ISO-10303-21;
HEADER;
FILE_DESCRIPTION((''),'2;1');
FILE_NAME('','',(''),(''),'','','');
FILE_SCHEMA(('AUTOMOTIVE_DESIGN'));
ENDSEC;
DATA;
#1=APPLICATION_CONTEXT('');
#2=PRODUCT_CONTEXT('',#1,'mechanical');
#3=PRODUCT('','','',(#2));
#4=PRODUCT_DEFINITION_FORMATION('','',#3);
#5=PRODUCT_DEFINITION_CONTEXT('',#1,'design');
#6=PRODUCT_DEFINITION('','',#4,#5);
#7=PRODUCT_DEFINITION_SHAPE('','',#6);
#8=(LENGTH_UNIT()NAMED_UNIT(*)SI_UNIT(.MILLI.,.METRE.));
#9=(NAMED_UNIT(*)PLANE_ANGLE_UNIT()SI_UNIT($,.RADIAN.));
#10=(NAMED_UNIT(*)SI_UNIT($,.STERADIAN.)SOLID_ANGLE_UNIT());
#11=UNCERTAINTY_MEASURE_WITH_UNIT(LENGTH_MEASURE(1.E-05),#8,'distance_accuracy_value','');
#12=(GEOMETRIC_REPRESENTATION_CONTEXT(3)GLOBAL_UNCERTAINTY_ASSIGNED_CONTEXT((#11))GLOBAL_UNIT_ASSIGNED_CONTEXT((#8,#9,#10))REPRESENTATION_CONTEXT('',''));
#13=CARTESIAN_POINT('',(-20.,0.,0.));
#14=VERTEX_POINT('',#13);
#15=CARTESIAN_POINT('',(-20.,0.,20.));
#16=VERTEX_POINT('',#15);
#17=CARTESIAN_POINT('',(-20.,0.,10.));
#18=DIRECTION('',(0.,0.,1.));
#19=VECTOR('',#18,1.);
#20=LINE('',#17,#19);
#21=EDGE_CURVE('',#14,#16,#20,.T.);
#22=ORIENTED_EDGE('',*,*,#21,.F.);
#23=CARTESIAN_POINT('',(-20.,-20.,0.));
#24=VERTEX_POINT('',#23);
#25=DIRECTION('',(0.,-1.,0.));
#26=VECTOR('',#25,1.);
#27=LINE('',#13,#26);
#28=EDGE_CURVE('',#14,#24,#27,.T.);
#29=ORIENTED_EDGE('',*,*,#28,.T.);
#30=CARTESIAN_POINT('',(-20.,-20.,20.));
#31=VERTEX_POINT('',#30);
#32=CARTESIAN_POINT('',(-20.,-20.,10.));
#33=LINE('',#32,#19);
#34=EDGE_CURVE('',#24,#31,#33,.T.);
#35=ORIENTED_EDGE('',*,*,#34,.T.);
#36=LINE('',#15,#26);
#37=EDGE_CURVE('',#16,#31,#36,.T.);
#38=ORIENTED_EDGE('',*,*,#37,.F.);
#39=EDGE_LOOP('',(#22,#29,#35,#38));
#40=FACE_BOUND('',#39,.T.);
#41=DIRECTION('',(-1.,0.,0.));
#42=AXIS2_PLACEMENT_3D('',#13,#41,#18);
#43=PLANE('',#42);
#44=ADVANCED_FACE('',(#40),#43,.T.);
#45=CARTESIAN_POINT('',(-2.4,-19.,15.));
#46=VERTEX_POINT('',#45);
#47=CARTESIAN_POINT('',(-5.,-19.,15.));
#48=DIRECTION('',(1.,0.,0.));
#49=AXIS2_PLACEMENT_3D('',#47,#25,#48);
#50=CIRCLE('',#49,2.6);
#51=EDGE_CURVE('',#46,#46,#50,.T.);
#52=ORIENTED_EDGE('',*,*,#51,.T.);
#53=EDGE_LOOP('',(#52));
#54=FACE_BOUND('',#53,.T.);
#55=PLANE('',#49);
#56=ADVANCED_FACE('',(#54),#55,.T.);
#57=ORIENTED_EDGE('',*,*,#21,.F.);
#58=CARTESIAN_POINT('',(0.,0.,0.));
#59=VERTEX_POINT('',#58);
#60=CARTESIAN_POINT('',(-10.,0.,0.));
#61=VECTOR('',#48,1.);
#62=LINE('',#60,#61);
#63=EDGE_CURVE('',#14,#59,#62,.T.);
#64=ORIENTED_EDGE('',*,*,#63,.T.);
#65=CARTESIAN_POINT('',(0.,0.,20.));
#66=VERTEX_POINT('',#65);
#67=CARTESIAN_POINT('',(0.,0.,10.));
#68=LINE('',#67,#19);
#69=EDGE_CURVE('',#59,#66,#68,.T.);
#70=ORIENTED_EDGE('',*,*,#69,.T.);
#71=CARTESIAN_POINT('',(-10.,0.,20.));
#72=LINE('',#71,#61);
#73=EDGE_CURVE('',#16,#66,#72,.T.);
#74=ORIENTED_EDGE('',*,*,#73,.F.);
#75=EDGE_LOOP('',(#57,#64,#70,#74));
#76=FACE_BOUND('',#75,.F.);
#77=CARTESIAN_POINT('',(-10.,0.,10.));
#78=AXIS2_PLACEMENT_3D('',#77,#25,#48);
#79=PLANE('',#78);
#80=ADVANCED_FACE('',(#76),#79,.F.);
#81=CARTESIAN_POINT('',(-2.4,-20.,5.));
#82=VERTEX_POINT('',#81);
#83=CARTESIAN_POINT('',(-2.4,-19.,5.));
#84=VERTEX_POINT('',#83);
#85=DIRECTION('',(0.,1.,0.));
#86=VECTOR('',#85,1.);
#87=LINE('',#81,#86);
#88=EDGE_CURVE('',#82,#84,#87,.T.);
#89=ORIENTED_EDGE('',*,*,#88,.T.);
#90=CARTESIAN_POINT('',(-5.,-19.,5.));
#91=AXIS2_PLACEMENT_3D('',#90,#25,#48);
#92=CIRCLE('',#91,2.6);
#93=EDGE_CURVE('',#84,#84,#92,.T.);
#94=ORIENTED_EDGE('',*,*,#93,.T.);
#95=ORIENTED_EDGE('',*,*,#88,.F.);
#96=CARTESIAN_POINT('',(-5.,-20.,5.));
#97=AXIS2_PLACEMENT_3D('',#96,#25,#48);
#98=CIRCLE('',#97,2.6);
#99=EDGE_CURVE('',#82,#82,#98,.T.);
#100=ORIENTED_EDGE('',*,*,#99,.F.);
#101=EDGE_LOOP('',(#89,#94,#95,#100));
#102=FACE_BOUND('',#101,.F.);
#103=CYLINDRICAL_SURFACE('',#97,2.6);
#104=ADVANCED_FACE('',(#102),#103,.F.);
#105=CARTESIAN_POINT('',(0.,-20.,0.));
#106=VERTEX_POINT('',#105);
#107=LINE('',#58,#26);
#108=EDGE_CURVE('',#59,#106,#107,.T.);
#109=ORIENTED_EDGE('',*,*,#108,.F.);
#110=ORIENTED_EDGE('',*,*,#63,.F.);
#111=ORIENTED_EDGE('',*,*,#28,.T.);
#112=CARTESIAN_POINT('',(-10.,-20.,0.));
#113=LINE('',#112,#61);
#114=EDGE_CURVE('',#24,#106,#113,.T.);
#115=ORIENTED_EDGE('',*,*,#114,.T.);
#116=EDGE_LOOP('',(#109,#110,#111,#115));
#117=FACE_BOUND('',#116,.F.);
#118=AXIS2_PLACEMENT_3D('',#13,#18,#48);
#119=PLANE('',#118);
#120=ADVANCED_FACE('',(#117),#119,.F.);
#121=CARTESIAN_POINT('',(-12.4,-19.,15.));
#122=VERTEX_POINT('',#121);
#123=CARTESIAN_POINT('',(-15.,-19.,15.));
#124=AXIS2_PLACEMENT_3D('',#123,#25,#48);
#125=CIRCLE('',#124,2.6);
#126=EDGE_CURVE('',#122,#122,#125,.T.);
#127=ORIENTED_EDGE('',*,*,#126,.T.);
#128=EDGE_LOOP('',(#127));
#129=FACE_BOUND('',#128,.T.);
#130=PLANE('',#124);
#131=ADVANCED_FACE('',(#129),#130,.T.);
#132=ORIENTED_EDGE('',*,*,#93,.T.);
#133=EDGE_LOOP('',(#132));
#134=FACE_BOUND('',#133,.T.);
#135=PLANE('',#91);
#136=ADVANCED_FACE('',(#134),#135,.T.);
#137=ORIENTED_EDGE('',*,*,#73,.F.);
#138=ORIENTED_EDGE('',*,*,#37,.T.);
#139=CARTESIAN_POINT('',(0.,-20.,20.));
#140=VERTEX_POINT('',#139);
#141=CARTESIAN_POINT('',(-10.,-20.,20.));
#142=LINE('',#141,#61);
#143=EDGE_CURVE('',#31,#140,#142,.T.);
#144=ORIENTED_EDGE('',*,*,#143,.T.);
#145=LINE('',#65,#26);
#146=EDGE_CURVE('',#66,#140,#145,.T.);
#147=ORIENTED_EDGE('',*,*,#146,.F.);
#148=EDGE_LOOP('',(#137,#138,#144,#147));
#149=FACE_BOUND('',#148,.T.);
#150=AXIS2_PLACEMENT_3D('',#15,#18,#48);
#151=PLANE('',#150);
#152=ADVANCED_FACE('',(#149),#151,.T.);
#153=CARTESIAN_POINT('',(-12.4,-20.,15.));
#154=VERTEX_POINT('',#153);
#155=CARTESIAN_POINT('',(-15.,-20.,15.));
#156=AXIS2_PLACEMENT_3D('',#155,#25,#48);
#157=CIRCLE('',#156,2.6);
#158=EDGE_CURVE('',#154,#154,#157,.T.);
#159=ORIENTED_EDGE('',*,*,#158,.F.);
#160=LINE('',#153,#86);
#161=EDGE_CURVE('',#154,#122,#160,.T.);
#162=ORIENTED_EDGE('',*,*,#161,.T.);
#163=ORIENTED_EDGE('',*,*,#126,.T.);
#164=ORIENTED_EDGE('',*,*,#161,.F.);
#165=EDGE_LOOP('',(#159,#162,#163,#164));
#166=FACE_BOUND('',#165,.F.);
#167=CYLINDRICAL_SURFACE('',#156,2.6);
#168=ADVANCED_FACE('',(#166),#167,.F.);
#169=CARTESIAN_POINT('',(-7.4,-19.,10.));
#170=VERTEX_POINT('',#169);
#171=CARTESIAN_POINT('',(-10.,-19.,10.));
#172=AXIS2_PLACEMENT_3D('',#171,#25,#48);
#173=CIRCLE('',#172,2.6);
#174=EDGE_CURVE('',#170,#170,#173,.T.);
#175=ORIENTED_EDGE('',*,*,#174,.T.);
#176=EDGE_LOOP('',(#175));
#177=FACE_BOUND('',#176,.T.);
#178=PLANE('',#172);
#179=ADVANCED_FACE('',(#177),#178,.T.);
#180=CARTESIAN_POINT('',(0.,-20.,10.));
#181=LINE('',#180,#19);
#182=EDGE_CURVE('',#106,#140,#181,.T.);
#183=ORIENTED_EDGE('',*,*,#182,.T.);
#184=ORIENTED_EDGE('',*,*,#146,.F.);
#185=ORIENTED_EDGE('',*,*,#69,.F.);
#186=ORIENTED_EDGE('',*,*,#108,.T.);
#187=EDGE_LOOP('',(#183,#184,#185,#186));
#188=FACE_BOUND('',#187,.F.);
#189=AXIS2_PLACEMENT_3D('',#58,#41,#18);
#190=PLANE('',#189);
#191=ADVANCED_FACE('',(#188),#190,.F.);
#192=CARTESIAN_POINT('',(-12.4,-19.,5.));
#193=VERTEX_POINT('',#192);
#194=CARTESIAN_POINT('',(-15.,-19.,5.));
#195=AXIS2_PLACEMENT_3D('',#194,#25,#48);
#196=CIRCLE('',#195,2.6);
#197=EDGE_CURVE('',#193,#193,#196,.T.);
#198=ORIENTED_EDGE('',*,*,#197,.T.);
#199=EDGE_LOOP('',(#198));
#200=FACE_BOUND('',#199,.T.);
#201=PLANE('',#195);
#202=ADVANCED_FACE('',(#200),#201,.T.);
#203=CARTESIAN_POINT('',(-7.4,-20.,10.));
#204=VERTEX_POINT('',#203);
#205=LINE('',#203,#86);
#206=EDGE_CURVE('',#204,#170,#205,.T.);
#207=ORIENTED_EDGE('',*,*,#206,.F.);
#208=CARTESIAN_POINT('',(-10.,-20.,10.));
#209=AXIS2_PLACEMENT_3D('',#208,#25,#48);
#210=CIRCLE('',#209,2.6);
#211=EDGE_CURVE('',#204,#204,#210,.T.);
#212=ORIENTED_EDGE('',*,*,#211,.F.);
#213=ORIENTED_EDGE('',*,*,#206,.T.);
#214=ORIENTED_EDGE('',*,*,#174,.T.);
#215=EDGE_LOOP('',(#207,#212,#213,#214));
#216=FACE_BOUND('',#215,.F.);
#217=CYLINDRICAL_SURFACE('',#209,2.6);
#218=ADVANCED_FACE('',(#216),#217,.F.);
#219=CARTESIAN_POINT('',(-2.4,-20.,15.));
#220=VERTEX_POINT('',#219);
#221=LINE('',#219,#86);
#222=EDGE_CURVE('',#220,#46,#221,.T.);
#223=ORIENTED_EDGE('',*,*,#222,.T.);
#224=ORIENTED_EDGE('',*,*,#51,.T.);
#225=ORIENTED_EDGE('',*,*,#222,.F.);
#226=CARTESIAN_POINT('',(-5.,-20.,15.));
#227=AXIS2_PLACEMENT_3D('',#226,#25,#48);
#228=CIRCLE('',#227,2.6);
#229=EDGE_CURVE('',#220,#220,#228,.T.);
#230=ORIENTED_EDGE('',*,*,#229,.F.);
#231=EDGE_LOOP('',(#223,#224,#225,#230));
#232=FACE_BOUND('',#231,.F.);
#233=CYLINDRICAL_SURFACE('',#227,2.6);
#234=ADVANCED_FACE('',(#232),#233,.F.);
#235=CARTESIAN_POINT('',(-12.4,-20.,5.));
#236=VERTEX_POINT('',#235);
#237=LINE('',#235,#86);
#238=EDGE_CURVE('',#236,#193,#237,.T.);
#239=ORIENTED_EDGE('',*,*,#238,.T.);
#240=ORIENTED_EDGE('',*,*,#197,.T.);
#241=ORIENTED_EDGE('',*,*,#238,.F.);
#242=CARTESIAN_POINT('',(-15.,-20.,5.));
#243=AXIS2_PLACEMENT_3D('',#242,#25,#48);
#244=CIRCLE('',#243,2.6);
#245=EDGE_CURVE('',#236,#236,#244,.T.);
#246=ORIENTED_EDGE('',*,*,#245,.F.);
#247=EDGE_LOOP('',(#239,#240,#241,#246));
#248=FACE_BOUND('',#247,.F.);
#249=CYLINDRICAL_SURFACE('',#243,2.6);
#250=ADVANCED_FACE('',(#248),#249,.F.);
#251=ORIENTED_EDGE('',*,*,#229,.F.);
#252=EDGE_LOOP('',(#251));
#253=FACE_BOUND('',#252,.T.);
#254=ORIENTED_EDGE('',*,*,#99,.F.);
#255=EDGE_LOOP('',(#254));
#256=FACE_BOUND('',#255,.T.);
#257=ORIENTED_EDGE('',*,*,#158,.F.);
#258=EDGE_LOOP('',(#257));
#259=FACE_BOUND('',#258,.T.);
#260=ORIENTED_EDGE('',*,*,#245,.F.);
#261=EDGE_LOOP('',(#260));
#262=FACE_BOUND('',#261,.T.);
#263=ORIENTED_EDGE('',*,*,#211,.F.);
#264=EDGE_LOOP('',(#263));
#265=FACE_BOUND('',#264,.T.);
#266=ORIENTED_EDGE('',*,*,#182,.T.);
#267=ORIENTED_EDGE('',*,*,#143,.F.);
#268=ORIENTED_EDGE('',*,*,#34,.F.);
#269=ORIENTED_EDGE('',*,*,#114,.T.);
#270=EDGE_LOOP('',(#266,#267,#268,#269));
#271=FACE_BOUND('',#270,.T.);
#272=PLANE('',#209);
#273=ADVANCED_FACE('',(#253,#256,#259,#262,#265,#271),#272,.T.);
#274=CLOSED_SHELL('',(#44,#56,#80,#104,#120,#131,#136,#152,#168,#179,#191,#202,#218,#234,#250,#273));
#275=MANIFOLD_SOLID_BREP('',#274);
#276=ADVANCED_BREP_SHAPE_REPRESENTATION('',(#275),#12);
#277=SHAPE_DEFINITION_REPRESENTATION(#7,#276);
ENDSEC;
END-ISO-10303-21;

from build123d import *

# Parameters (mm, degrees)
F0_W     = 20
F0_H     = 20
F1_DEPTH = 20
F2_R     = 2.6
F3_DEPTH = 1


with BuildPart() as f1:
    # F0 (on Front) → F1 (new body)
    with BuildSketch(Plane.XZ):
        with Locations((-10, 10)):
            Rectangle(F0_W, F0_H)
    extrude(amount=F1_DEPTH)

    # F2 (on face) → F3 (cut)
    with BuildSketch(Plane.XZ.offset(20)):
        with Locations((-10, 10)):
            Circle(F2_R)
        with Locations((-15, 15)):
            Circle(F2_R)
        with Locations((-5, 15)):
            Circle(F2_R)
        with Locations((-15, 5)):
            Circle(F2_R)
        with Locations((-5, 5)):
            Circle(F2_R)
    extrude(amount=-F3_DEPTH, mode=Mode.SUBTRACT)


solid = f1.part
